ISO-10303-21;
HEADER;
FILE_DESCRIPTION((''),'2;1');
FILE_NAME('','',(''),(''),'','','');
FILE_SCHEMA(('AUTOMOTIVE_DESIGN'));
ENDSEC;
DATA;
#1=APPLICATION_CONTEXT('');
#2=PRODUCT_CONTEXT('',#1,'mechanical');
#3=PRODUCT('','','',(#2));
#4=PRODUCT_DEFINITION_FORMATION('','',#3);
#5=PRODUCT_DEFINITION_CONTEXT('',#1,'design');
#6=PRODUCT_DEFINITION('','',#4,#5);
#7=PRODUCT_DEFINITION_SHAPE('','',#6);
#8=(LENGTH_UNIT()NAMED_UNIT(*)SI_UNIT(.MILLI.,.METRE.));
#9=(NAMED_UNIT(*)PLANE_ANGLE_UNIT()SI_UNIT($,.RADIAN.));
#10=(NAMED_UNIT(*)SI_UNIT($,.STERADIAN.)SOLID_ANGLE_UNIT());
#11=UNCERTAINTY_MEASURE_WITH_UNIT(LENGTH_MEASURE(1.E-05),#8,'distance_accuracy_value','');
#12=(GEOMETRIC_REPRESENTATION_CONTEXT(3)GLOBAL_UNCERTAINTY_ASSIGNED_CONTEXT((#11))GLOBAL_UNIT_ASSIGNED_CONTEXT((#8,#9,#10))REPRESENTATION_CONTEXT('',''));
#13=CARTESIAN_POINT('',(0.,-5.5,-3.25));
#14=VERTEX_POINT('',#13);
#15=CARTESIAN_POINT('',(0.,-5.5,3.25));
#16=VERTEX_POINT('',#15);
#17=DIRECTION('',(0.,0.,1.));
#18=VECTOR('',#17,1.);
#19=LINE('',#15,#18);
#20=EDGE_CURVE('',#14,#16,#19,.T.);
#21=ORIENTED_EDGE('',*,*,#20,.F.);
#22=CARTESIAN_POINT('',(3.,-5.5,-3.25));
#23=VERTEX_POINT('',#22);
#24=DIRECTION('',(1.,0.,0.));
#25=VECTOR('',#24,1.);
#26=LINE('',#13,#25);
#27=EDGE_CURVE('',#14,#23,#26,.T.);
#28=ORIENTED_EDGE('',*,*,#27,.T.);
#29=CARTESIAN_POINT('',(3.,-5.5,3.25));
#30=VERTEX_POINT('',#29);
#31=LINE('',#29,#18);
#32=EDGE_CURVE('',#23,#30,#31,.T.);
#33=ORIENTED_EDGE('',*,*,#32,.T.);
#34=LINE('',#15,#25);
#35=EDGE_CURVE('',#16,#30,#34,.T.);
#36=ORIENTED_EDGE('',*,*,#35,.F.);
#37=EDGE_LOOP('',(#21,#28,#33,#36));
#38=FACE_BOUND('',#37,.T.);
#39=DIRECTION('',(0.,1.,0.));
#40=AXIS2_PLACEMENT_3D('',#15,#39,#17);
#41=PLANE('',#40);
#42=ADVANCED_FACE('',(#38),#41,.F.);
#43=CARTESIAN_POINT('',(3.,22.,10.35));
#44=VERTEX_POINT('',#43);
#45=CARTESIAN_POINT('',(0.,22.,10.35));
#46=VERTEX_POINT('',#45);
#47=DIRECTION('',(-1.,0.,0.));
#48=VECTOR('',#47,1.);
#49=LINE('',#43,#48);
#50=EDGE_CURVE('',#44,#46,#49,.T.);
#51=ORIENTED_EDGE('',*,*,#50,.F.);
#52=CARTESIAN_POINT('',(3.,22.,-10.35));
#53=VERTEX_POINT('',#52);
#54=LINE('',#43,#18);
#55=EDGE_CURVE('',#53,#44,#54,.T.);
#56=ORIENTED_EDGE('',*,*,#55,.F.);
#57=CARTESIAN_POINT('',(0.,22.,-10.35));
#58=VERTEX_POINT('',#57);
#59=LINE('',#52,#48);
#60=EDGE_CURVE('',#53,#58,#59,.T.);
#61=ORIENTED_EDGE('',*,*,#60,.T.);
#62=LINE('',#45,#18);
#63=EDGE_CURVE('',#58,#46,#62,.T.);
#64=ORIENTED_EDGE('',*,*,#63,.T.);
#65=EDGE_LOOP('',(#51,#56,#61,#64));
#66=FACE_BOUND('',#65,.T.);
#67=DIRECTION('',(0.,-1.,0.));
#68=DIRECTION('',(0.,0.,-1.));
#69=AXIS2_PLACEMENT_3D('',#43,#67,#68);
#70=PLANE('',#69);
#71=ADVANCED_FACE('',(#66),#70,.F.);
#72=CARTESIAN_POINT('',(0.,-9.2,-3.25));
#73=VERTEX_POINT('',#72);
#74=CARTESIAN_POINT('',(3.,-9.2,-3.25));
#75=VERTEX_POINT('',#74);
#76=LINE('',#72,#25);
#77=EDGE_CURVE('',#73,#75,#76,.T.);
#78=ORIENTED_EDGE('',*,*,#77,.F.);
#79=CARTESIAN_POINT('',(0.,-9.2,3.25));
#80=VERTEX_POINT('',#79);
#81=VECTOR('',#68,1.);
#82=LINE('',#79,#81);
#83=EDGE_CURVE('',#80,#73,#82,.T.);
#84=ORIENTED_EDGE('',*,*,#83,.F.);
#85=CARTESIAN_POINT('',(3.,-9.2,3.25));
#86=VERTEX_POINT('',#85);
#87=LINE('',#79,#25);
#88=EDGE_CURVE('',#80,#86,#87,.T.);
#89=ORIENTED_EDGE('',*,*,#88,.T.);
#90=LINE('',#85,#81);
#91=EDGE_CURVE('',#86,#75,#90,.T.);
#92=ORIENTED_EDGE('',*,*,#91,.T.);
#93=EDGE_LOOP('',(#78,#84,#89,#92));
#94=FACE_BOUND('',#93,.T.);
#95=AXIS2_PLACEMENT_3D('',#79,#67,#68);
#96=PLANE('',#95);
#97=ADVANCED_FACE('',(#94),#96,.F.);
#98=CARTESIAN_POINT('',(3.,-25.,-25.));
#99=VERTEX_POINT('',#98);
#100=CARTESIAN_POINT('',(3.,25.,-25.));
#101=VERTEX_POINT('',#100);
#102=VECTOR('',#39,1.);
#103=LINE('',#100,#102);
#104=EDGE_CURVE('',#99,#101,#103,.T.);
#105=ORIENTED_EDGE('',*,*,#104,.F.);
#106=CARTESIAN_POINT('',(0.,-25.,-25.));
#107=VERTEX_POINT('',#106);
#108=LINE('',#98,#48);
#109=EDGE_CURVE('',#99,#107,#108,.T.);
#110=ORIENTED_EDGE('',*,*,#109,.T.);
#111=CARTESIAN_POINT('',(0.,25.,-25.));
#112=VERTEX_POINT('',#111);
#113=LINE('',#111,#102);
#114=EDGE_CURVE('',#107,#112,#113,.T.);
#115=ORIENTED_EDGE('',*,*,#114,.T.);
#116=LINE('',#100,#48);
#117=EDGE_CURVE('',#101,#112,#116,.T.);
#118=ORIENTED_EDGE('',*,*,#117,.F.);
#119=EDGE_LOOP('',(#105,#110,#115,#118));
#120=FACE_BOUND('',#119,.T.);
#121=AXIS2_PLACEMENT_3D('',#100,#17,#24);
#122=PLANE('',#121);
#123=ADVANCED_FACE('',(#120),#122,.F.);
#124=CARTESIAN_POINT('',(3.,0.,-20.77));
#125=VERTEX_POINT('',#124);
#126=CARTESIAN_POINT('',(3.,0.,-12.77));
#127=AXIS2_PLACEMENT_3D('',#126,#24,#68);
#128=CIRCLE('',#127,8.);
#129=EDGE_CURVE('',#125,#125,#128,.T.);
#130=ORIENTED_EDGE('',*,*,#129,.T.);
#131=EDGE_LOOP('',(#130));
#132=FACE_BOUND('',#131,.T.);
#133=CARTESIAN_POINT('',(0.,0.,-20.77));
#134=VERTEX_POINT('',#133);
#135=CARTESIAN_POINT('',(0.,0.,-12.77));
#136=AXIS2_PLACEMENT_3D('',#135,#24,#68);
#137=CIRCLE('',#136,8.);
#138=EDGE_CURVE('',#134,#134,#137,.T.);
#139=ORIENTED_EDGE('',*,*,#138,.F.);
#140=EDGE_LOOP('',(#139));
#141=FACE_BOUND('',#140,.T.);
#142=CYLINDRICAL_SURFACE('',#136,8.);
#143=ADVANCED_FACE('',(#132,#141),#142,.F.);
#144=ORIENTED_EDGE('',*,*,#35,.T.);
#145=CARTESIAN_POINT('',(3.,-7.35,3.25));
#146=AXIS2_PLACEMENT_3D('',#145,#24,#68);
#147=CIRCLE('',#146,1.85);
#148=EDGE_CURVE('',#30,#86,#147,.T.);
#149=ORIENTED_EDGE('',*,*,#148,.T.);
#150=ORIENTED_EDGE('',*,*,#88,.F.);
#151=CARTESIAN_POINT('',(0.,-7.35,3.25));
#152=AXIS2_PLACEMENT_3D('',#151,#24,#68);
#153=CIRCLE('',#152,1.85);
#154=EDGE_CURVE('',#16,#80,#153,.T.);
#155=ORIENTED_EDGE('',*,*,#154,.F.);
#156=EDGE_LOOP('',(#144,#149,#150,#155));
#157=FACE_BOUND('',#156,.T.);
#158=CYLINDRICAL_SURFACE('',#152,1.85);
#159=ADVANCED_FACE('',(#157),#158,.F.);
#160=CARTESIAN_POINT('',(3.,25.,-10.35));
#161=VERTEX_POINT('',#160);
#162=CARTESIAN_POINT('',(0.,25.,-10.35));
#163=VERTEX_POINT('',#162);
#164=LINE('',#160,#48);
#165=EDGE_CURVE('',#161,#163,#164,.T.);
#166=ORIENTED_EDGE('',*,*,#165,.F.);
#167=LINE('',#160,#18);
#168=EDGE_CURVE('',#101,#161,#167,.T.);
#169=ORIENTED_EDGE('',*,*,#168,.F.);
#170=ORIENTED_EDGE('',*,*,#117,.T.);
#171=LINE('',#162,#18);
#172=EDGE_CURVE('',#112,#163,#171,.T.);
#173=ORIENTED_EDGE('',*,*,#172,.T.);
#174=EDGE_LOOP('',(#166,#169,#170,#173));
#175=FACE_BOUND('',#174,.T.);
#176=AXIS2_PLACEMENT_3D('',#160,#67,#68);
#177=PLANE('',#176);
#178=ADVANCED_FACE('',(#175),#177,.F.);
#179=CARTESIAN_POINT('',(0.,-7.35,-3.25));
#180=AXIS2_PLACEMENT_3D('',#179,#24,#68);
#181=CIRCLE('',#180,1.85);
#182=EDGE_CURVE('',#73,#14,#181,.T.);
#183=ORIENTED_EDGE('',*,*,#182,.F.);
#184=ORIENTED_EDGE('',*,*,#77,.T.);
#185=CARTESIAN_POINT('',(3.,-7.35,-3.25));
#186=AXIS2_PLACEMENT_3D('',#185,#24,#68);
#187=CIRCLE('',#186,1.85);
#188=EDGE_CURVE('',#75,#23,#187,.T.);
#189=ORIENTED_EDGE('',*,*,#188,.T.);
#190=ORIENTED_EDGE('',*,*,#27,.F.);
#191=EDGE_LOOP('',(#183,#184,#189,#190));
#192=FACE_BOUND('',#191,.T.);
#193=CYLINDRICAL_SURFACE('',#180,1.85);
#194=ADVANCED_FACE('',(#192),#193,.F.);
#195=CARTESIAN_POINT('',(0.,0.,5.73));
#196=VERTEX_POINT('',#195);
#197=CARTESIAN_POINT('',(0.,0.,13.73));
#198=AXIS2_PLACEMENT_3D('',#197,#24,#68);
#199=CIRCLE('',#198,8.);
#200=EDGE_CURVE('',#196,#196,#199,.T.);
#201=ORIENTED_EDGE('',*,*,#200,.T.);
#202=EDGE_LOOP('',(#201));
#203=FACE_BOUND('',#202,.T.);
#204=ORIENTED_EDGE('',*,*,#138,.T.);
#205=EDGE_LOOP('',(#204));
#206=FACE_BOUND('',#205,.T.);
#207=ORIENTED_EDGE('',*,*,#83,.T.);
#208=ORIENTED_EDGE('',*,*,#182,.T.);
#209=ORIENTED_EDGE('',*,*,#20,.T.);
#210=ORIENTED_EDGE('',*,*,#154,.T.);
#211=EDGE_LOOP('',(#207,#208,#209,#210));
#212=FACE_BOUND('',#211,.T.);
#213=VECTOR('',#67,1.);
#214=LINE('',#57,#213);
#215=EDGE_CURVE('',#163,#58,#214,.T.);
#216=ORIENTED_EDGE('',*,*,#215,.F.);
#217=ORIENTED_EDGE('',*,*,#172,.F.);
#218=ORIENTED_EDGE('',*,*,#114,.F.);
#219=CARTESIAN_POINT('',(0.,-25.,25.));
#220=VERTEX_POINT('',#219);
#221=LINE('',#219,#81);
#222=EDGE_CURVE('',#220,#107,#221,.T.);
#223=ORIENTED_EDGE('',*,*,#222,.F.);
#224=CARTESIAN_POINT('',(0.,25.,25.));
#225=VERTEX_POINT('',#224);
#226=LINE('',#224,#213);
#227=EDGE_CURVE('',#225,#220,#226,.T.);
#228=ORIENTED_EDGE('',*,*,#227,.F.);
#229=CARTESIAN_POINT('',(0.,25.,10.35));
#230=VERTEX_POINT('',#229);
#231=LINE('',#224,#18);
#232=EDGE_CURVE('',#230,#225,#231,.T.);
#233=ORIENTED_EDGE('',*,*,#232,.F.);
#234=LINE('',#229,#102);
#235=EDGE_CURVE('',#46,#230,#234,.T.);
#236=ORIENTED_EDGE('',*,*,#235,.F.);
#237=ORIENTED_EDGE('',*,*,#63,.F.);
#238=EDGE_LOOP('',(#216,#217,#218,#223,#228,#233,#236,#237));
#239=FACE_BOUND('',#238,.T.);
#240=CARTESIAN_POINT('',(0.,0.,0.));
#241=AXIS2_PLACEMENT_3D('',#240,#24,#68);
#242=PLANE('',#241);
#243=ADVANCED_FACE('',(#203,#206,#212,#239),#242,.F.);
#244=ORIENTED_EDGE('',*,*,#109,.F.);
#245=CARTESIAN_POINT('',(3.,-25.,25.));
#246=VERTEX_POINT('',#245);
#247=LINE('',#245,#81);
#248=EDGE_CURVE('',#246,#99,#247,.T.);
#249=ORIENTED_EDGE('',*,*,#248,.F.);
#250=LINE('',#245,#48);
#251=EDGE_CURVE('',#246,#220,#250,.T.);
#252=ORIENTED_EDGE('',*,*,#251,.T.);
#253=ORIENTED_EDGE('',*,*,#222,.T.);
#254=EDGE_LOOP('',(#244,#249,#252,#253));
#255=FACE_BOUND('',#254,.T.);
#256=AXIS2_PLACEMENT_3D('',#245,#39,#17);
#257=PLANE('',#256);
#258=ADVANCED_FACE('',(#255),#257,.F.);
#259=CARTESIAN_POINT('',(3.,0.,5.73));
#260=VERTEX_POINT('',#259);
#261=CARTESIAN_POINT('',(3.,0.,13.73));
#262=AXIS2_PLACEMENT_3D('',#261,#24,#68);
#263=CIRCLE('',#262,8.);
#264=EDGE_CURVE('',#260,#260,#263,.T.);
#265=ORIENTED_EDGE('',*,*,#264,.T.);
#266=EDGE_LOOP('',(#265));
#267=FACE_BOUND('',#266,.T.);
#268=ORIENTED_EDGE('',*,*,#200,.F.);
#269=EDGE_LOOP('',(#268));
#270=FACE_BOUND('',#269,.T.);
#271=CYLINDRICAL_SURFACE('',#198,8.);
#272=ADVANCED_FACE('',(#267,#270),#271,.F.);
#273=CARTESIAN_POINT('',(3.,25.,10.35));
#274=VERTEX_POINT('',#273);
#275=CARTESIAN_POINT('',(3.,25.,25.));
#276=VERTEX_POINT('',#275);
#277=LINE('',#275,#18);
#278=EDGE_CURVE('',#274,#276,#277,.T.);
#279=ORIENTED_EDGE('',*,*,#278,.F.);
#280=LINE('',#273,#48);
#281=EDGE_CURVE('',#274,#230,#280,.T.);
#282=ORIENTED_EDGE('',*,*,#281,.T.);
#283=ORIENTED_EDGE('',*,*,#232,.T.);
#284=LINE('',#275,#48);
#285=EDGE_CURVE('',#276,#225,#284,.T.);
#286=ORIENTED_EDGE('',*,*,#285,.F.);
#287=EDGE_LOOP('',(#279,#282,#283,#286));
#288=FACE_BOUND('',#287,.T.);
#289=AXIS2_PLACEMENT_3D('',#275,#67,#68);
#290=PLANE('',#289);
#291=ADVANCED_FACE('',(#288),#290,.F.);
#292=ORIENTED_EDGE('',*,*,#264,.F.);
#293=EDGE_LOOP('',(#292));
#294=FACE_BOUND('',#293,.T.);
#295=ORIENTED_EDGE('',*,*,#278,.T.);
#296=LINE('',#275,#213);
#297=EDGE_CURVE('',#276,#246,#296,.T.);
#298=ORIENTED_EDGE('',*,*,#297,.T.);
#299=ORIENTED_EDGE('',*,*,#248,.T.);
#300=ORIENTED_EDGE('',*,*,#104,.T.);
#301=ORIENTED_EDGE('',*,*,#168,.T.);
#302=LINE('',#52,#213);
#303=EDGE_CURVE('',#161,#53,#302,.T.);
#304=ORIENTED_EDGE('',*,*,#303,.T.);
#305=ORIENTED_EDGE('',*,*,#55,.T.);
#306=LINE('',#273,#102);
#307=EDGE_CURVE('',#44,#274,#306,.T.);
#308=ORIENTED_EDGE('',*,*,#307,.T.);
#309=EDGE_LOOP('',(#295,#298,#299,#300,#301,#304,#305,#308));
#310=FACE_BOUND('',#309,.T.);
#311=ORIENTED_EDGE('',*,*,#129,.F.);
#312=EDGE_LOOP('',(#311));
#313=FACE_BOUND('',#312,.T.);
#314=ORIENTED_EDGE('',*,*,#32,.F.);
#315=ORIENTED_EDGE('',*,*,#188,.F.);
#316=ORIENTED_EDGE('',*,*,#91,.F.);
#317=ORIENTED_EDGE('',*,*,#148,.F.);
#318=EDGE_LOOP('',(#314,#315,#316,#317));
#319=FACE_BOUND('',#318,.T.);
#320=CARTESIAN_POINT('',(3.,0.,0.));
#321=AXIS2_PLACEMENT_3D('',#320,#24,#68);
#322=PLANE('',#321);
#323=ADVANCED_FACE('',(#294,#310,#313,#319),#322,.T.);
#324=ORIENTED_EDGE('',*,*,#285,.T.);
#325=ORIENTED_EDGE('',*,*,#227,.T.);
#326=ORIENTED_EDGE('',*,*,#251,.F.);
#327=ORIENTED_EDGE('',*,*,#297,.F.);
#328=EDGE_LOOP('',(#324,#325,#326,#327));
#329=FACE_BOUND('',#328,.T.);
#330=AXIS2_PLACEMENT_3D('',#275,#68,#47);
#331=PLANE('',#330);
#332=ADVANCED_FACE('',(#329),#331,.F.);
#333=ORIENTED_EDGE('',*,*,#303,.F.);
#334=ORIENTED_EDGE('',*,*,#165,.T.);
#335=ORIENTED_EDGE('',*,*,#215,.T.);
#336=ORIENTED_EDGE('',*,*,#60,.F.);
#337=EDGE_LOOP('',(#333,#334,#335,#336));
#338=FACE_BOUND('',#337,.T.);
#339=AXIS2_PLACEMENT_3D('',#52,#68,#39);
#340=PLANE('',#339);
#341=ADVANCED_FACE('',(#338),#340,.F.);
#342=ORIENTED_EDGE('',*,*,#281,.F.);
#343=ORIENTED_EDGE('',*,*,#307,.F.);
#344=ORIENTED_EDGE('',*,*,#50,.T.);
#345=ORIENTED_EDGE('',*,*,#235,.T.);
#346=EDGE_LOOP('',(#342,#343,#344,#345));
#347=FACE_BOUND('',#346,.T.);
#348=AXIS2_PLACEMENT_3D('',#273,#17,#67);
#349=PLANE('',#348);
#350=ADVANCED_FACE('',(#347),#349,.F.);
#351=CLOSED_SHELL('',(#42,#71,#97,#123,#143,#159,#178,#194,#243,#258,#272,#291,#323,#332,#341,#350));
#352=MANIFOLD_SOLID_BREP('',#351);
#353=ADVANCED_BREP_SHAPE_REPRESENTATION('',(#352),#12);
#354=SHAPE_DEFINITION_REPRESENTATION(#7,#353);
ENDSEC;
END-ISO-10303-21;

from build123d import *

# Parameters (mm, degrees)
BOSS_EXTRUDE1_DEPTH = 3
SKETCH2_R           = 8
CUT_EXTRUDE1_DEPTH  = 36.482389998


with BuildPart() as part:
    # Sketch1 → Boss-Extrude1 (new body)
    with BuildSketch(Plane(origin=(0, 0, 0), x_dir=(0, 0, -1), z_dir=(1, 0, 0))):
        Polygon((-25, 25), (-10.35, 25), (-10.35, 22), (10.35, 22), (10.35, 25), (25, 25), (25, -25), (-25, -25), align=None)
    extrude(amount=BOSS_EXTRUDE1_DEPTH)

    # Sketch2 → Cut-Extrude1 (cut, through all)
    with BuildSketch(Plane(origin=(3, 0, 0), x_dir=(0, 0, -1), z_dir=(1, 0, 0))):
        with Locations((-13.73, 0)):
            Circle(SKETCH2_R)
        with Locations((12.77, 0)):
            Circle(SKETCH2_R)
        with BuildLine():
            Line((-3.25, -5.5), (3.25, -5.5))
            ThreePointArc((3.25, -5.5), (5.1, -7.35), (3.25, -9.2))
            Line((3.25, -9.2), (-3.25, -9.2))
            ThreePointArc((-3.25, -9.2), (-5.1, -7.35), (-3.25, -5.5))
        make_face()
    extrude(amount=-CUT_EXTRUDE1_DEPTH, mode=Mode.SUBTRACT)


solid = part.part
